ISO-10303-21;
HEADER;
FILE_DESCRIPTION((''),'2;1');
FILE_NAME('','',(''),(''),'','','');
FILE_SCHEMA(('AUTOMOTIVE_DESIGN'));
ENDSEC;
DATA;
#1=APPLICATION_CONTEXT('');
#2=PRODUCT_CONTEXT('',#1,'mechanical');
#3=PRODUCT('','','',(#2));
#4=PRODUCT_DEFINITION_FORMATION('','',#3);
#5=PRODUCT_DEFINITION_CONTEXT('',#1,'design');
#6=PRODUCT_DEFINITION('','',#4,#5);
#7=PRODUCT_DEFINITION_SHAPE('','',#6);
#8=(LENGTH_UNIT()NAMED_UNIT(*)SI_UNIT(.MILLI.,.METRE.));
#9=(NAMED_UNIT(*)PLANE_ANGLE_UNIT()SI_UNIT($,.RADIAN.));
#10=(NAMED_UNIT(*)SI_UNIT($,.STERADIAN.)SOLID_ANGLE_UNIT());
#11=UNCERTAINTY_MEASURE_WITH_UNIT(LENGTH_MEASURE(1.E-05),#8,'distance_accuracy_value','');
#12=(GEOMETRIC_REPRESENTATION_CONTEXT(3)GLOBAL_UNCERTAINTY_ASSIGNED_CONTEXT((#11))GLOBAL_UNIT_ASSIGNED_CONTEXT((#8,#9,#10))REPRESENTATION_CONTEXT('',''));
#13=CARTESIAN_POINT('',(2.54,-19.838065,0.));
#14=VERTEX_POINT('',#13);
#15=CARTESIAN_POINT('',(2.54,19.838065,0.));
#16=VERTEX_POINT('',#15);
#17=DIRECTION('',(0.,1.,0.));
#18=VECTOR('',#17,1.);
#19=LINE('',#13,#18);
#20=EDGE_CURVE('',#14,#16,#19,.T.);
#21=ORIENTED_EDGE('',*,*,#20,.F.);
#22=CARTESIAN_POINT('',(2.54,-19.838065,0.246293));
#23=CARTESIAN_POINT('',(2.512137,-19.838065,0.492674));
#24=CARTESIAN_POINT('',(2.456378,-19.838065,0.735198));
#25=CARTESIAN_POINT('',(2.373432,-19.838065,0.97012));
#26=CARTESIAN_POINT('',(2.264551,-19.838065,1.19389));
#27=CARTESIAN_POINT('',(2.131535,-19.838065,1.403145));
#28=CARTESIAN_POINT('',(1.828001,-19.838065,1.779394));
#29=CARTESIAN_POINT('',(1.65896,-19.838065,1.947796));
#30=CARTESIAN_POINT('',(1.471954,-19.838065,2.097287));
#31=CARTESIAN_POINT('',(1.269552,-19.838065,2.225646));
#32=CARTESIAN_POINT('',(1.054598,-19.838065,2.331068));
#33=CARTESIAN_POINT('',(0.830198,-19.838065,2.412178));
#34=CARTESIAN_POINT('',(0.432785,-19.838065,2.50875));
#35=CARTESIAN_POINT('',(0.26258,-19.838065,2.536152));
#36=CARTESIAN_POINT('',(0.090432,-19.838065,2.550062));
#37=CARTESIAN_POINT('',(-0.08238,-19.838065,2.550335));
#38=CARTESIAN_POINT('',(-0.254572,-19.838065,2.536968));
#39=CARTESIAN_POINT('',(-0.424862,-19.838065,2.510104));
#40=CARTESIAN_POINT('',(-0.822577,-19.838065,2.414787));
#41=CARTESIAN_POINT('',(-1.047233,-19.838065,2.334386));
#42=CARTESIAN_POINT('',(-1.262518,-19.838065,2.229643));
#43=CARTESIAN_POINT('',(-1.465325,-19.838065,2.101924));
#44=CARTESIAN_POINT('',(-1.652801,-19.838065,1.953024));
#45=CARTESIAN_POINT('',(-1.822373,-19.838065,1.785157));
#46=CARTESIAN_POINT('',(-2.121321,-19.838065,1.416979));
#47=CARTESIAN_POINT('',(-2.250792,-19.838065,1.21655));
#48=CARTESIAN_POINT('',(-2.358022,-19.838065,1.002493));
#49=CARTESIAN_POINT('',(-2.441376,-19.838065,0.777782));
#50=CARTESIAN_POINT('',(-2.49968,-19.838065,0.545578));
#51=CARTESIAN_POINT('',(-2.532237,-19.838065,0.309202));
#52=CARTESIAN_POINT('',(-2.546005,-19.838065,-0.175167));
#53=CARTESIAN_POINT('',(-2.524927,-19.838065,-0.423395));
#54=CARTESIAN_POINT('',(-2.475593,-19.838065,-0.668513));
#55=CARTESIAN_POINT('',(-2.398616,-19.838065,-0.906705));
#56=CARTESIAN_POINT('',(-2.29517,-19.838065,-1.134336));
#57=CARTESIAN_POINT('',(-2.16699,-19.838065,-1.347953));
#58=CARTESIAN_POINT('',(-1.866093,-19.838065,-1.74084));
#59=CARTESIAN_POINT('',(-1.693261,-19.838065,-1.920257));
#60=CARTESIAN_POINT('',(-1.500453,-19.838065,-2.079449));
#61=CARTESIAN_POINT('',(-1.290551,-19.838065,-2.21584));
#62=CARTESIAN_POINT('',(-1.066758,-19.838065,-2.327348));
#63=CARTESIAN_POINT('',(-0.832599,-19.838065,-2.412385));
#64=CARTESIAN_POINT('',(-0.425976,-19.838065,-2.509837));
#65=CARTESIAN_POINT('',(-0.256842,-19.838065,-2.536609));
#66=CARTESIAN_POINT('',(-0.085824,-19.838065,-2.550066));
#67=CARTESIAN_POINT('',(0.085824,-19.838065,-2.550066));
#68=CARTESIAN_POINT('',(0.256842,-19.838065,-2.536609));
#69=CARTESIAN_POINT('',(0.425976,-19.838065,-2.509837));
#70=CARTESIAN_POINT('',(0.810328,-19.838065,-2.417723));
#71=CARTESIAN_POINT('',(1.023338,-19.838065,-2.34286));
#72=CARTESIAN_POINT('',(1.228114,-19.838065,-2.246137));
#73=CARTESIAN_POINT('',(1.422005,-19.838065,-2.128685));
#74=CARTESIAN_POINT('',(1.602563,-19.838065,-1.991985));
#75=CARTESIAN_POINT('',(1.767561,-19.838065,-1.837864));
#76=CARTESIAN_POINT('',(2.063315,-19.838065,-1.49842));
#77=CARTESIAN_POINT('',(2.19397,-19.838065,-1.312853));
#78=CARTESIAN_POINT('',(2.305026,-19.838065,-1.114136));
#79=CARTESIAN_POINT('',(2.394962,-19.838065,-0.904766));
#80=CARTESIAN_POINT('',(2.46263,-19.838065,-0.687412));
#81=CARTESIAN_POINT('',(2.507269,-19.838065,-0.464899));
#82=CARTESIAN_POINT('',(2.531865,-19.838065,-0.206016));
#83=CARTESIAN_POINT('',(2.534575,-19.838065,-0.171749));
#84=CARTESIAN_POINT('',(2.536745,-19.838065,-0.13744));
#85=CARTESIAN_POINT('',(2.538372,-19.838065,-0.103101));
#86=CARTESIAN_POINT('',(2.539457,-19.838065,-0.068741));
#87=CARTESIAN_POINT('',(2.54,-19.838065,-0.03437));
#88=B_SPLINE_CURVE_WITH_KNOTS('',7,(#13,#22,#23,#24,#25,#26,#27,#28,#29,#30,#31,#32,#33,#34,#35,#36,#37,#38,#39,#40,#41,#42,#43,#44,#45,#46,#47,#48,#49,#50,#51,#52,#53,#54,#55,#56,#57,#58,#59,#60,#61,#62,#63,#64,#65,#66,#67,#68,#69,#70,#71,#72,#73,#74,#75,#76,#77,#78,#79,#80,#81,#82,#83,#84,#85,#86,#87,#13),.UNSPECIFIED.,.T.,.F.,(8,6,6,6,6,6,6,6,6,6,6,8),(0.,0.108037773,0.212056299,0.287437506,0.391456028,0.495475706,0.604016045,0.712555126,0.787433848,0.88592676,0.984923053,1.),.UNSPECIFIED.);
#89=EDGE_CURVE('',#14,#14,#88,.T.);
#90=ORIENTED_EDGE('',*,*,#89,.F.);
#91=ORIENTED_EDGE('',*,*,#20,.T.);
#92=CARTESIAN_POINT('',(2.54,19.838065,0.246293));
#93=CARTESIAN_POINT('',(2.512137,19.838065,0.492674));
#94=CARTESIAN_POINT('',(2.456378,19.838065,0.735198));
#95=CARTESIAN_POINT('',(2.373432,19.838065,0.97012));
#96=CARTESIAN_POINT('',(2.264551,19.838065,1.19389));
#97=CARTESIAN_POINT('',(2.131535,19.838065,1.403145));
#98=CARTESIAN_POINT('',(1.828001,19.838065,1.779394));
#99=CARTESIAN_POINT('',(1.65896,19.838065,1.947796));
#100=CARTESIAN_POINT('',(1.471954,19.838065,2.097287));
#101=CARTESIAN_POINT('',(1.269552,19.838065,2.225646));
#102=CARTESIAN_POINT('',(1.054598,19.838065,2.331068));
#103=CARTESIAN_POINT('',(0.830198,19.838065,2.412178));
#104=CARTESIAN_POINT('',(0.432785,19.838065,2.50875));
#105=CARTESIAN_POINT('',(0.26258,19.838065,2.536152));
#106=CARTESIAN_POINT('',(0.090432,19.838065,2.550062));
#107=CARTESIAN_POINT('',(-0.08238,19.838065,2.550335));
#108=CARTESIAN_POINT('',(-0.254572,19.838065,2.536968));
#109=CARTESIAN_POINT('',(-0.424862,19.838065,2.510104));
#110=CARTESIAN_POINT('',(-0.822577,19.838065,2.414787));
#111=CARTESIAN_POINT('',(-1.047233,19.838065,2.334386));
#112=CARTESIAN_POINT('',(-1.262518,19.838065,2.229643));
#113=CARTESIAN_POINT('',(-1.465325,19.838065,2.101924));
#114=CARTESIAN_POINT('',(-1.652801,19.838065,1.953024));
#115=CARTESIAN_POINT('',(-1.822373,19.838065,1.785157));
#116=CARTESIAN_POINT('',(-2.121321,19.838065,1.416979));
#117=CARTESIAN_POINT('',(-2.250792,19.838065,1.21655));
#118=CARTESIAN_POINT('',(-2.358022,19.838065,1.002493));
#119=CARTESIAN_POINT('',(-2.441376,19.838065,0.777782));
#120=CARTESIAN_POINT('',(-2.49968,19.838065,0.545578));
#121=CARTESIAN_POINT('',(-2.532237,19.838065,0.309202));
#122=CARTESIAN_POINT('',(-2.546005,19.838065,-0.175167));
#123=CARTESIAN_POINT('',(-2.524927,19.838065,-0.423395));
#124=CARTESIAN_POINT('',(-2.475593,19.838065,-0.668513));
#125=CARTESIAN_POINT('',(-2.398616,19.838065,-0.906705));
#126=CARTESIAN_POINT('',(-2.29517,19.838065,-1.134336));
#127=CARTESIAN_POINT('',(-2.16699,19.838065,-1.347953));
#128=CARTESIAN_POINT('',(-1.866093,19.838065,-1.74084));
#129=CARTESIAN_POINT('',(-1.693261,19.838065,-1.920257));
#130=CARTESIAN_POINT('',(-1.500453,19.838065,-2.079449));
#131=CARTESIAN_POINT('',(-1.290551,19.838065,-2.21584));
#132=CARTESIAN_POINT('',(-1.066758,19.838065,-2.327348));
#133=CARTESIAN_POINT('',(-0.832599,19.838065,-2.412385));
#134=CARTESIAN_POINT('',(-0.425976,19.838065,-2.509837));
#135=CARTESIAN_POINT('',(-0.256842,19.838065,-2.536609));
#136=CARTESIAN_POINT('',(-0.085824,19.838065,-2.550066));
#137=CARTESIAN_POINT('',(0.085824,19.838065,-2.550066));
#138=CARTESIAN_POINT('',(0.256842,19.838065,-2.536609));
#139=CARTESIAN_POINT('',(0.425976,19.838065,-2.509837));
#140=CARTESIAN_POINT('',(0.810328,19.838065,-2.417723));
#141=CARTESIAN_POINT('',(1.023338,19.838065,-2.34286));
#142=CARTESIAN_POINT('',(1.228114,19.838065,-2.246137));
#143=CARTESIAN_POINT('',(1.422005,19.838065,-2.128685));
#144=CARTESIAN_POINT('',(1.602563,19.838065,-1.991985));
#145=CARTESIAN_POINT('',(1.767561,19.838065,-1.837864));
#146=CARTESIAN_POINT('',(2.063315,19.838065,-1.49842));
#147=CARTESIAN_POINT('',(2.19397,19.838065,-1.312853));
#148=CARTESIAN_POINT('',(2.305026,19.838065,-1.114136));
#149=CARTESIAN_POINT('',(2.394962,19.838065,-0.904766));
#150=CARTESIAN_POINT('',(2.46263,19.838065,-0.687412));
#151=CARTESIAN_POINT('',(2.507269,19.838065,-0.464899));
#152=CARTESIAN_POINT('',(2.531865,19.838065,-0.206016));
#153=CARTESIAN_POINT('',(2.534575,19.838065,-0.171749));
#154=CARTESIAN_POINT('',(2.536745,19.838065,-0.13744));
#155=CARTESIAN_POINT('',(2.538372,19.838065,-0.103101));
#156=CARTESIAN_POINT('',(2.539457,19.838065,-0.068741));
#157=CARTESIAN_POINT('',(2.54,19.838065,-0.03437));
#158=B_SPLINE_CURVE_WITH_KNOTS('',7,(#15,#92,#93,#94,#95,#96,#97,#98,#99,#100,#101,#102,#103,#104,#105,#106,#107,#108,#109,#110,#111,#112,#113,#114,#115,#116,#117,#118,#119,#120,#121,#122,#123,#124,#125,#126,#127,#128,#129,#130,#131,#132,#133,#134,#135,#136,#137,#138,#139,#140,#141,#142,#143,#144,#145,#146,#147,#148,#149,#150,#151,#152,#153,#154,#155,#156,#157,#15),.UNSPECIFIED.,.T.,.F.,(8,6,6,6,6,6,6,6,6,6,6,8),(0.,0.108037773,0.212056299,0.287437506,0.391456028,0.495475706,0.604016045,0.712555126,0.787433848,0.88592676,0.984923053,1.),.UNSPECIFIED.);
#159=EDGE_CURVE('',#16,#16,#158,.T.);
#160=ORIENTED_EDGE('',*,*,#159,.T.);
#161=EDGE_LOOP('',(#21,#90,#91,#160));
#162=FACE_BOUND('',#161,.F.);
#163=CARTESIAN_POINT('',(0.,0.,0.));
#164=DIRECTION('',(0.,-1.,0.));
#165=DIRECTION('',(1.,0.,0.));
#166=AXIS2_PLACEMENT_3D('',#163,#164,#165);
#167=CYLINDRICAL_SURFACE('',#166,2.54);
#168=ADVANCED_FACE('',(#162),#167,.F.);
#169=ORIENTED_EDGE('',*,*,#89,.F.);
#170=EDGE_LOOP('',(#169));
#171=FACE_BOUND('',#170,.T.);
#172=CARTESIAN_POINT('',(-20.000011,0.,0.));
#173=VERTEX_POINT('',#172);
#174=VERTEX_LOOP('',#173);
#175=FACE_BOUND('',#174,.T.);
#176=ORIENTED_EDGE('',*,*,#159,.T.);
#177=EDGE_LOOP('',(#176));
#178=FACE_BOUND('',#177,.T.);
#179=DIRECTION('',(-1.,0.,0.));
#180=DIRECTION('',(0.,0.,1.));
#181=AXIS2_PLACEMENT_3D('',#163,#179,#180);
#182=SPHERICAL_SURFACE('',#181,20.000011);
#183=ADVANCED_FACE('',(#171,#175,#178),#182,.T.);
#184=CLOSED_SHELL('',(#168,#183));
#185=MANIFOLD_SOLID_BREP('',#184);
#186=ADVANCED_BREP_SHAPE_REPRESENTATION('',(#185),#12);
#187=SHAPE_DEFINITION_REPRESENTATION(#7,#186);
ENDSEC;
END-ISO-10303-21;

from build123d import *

# Parameters (mm, degrees)
F2_R          = 2.54
F3_DEPTH      = 20.001011
F3_DEPTH_BACK = 20.001011


with BuildPart() as f1:
    # F0 (on Front) → F1 (revolve)
    with BuildSketch(Plane.XZ):
        with BuildLine():
            Line((-20.000011, 0), (20.000011, 0))
            ThreePointArc((20.000011, 0), (0, 20.000011), (-20.000011, 0))
        make_face()
    revolve(axis=Axis((0, 0, 0), (-1, 0, 0)))

    # F2 (on Front) → F3 (cut, two sides)
    with BuildSketch(Plane.XZ) as f3_sk:
        Circle(F2_R)
    extrude(amount=F3_DEPTH, mode=Mode.SUBTRACT)
    extrude(f3_sk.sketch, amount=-F3_DEPTH_BACK, mode=Mode.SUBTRACT)


solid = f1.part
